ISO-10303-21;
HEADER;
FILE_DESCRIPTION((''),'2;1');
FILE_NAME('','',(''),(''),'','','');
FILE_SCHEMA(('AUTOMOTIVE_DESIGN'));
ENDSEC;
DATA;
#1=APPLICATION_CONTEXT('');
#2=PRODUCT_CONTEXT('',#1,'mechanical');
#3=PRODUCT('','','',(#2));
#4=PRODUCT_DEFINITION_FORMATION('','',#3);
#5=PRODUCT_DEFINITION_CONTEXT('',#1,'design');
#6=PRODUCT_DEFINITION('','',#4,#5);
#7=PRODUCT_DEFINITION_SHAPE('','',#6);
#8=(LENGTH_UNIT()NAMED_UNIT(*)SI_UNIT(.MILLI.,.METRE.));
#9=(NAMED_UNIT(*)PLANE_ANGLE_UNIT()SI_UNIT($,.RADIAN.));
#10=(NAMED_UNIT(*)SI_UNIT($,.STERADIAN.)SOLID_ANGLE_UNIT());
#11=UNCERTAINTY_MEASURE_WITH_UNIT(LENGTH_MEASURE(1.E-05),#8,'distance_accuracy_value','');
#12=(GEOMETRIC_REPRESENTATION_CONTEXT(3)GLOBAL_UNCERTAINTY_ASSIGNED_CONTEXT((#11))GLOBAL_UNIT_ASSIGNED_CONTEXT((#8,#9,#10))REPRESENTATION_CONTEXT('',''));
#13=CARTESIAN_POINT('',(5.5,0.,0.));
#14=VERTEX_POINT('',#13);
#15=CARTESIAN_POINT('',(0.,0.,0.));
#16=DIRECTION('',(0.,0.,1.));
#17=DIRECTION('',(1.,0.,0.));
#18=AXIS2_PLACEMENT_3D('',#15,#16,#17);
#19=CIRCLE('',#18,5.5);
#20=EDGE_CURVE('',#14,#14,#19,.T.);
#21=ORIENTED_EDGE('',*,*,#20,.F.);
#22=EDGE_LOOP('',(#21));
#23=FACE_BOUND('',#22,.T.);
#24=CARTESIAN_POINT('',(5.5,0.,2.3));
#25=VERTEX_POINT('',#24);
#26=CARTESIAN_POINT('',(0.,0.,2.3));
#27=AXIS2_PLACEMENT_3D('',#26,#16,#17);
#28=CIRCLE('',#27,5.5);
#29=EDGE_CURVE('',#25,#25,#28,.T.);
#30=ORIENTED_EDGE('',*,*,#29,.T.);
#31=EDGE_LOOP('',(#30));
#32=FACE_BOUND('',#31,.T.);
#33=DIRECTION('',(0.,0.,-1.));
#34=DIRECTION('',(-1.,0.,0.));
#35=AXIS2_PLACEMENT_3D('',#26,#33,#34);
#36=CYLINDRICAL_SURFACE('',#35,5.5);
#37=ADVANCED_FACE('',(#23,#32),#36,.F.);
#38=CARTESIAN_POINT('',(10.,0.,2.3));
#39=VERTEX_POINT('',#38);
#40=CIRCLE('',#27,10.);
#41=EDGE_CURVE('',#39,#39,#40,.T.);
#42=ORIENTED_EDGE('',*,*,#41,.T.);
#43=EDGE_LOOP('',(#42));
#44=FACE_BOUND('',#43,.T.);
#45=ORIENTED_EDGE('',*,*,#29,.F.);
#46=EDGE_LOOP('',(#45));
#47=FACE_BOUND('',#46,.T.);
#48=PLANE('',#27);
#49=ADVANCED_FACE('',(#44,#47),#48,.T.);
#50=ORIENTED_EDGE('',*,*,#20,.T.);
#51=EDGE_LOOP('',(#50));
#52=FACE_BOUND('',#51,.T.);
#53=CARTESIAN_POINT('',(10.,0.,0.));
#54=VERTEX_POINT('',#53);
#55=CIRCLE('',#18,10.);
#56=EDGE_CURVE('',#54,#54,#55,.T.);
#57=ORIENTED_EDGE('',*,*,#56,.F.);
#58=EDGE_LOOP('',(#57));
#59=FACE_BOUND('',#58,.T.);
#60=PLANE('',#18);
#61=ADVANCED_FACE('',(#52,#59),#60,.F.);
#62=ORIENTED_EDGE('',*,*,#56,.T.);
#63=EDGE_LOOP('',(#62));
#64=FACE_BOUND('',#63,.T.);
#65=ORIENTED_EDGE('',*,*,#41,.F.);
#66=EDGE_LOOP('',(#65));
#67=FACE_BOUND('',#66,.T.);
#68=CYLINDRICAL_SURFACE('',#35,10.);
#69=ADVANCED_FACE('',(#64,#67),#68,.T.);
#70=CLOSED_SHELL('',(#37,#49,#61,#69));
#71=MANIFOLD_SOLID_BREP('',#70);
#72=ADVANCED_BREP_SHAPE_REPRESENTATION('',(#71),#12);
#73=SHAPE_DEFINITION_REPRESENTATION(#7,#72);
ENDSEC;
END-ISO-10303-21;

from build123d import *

# Parameters (mm, degrees)
SKICA1_R                = 10
SKICA1_R_2              = 5.5
P_IDAT_VYSUNUT_M1_DEPTH = 2.3


with BuildPart() as part:
    # Skica1 → Přidat vysunutím1 (new body)
    with BuildSketch(Plane.XY):
        Circle(SKICA1_R)
        Circle(SKICA1_R_2, mode=Mode.SUBTRACT)
    extrude(amount=P_IDAT_VYSUNUT_M1_DEPTH)


solid = part.part
